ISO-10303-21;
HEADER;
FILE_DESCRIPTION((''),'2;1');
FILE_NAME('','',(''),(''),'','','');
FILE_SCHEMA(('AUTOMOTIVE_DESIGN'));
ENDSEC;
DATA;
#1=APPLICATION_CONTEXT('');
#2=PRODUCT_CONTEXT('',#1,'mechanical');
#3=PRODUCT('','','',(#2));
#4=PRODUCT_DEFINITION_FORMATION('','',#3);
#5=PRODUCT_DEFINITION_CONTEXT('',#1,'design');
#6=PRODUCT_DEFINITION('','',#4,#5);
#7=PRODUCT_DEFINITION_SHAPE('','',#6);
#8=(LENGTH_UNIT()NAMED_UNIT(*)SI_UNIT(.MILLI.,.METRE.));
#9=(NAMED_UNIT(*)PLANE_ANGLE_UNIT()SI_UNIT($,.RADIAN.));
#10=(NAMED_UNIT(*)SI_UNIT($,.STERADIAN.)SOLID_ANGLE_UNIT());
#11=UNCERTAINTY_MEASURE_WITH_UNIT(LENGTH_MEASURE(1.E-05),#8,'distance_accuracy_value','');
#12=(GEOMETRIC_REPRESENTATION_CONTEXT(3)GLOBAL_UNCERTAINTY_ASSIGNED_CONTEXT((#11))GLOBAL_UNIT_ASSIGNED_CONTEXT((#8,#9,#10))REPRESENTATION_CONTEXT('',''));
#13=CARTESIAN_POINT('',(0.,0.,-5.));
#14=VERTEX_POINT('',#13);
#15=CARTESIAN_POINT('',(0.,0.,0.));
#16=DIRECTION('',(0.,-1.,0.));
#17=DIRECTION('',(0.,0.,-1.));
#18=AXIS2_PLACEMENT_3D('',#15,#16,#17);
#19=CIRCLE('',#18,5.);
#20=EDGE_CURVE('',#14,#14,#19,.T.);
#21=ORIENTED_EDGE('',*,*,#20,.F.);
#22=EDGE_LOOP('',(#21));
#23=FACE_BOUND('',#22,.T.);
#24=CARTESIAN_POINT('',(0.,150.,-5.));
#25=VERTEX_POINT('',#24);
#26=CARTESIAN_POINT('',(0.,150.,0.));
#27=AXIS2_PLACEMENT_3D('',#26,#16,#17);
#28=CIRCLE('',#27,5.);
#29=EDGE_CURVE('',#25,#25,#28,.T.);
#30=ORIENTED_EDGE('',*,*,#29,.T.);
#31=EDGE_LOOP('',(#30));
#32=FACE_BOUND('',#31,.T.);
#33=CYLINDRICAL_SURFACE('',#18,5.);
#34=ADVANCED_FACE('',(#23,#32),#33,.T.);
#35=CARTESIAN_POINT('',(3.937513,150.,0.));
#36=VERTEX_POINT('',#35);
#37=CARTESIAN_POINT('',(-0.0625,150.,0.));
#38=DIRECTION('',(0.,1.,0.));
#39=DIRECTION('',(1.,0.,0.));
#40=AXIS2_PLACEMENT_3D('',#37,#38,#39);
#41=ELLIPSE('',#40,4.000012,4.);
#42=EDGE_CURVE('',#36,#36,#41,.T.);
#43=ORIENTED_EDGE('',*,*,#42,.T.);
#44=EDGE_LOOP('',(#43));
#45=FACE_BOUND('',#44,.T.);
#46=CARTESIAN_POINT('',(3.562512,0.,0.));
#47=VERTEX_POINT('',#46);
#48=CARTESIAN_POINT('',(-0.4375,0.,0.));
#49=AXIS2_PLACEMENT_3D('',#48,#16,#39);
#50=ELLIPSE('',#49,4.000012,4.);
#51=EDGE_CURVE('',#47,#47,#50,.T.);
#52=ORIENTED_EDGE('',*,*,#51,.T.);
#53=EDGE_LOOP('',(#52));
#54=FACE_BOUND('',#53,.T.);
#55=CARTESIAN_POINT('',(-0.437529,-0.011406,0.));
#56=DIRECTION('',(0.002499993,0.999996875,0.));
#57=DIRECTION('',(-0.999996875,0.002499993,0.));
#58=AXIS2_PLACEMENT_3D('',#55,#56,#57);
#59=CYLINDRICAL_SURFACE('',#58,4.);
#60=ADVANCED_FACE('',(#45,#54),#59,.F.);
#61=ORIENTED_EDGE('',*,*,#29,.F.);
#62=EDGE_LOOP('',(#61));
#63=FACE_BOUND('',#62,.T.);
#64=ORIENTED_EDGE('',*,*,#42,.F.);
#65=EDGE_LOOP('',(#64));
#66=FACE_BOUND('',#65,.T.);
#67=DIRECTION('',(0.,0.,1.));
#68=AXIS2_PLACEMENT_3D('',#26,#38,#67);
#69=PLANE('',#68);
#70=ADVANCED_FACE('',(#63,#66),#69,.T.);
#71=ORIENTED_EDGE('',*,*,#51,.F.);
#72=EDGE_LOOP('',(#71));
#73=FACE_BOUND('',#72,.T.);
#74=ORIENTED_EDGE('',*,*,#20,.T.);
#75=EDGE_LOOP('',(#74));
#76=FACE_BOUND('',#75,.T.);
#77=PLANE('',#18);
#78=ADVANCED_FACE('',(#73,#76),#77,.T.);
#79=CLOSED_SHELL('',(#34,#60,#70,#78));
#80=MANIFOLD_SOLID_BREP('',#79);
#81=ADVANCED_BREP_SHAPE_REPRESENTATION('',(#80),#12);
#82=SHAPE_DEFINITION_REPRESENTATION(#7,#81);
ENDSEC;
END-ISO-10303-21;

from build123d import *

# Parameters (mm, degrees)
SKETCH1_W          = 5
SKETCH1_H          = 150
SKETCH2_R          = 4
CUT_EXTRUDE1_DEPTH = 151.024531183


with BuildPart() as part:
    # Sketch1 → Revolve1 (revolve)
    with BuildSketch(Plane.XY):
        with Locations((2.5, 75)):
            Rectangle(SKETCH1_W, SKETCH1_H)
    revolve(axis=Axis((0, 0, 0), (0, 1, 0)))

    # Sketch2 → Cut-Extrude1 (cut, through all)
    with BuildSketch(Plane(origin=(5, 150, 0), x_dir=(0.999996875, -0.002499993, 0), z_dir=(0.002499993, 0.999996875, 0))):
        with Locations((-5.062484107, 0)):
            Circle(SKETCH2_R)
    extrude(amount=-CUT_EXTRUDE1_DEPTH, mode=Mode.SUBTRACT)


solid = part.part
